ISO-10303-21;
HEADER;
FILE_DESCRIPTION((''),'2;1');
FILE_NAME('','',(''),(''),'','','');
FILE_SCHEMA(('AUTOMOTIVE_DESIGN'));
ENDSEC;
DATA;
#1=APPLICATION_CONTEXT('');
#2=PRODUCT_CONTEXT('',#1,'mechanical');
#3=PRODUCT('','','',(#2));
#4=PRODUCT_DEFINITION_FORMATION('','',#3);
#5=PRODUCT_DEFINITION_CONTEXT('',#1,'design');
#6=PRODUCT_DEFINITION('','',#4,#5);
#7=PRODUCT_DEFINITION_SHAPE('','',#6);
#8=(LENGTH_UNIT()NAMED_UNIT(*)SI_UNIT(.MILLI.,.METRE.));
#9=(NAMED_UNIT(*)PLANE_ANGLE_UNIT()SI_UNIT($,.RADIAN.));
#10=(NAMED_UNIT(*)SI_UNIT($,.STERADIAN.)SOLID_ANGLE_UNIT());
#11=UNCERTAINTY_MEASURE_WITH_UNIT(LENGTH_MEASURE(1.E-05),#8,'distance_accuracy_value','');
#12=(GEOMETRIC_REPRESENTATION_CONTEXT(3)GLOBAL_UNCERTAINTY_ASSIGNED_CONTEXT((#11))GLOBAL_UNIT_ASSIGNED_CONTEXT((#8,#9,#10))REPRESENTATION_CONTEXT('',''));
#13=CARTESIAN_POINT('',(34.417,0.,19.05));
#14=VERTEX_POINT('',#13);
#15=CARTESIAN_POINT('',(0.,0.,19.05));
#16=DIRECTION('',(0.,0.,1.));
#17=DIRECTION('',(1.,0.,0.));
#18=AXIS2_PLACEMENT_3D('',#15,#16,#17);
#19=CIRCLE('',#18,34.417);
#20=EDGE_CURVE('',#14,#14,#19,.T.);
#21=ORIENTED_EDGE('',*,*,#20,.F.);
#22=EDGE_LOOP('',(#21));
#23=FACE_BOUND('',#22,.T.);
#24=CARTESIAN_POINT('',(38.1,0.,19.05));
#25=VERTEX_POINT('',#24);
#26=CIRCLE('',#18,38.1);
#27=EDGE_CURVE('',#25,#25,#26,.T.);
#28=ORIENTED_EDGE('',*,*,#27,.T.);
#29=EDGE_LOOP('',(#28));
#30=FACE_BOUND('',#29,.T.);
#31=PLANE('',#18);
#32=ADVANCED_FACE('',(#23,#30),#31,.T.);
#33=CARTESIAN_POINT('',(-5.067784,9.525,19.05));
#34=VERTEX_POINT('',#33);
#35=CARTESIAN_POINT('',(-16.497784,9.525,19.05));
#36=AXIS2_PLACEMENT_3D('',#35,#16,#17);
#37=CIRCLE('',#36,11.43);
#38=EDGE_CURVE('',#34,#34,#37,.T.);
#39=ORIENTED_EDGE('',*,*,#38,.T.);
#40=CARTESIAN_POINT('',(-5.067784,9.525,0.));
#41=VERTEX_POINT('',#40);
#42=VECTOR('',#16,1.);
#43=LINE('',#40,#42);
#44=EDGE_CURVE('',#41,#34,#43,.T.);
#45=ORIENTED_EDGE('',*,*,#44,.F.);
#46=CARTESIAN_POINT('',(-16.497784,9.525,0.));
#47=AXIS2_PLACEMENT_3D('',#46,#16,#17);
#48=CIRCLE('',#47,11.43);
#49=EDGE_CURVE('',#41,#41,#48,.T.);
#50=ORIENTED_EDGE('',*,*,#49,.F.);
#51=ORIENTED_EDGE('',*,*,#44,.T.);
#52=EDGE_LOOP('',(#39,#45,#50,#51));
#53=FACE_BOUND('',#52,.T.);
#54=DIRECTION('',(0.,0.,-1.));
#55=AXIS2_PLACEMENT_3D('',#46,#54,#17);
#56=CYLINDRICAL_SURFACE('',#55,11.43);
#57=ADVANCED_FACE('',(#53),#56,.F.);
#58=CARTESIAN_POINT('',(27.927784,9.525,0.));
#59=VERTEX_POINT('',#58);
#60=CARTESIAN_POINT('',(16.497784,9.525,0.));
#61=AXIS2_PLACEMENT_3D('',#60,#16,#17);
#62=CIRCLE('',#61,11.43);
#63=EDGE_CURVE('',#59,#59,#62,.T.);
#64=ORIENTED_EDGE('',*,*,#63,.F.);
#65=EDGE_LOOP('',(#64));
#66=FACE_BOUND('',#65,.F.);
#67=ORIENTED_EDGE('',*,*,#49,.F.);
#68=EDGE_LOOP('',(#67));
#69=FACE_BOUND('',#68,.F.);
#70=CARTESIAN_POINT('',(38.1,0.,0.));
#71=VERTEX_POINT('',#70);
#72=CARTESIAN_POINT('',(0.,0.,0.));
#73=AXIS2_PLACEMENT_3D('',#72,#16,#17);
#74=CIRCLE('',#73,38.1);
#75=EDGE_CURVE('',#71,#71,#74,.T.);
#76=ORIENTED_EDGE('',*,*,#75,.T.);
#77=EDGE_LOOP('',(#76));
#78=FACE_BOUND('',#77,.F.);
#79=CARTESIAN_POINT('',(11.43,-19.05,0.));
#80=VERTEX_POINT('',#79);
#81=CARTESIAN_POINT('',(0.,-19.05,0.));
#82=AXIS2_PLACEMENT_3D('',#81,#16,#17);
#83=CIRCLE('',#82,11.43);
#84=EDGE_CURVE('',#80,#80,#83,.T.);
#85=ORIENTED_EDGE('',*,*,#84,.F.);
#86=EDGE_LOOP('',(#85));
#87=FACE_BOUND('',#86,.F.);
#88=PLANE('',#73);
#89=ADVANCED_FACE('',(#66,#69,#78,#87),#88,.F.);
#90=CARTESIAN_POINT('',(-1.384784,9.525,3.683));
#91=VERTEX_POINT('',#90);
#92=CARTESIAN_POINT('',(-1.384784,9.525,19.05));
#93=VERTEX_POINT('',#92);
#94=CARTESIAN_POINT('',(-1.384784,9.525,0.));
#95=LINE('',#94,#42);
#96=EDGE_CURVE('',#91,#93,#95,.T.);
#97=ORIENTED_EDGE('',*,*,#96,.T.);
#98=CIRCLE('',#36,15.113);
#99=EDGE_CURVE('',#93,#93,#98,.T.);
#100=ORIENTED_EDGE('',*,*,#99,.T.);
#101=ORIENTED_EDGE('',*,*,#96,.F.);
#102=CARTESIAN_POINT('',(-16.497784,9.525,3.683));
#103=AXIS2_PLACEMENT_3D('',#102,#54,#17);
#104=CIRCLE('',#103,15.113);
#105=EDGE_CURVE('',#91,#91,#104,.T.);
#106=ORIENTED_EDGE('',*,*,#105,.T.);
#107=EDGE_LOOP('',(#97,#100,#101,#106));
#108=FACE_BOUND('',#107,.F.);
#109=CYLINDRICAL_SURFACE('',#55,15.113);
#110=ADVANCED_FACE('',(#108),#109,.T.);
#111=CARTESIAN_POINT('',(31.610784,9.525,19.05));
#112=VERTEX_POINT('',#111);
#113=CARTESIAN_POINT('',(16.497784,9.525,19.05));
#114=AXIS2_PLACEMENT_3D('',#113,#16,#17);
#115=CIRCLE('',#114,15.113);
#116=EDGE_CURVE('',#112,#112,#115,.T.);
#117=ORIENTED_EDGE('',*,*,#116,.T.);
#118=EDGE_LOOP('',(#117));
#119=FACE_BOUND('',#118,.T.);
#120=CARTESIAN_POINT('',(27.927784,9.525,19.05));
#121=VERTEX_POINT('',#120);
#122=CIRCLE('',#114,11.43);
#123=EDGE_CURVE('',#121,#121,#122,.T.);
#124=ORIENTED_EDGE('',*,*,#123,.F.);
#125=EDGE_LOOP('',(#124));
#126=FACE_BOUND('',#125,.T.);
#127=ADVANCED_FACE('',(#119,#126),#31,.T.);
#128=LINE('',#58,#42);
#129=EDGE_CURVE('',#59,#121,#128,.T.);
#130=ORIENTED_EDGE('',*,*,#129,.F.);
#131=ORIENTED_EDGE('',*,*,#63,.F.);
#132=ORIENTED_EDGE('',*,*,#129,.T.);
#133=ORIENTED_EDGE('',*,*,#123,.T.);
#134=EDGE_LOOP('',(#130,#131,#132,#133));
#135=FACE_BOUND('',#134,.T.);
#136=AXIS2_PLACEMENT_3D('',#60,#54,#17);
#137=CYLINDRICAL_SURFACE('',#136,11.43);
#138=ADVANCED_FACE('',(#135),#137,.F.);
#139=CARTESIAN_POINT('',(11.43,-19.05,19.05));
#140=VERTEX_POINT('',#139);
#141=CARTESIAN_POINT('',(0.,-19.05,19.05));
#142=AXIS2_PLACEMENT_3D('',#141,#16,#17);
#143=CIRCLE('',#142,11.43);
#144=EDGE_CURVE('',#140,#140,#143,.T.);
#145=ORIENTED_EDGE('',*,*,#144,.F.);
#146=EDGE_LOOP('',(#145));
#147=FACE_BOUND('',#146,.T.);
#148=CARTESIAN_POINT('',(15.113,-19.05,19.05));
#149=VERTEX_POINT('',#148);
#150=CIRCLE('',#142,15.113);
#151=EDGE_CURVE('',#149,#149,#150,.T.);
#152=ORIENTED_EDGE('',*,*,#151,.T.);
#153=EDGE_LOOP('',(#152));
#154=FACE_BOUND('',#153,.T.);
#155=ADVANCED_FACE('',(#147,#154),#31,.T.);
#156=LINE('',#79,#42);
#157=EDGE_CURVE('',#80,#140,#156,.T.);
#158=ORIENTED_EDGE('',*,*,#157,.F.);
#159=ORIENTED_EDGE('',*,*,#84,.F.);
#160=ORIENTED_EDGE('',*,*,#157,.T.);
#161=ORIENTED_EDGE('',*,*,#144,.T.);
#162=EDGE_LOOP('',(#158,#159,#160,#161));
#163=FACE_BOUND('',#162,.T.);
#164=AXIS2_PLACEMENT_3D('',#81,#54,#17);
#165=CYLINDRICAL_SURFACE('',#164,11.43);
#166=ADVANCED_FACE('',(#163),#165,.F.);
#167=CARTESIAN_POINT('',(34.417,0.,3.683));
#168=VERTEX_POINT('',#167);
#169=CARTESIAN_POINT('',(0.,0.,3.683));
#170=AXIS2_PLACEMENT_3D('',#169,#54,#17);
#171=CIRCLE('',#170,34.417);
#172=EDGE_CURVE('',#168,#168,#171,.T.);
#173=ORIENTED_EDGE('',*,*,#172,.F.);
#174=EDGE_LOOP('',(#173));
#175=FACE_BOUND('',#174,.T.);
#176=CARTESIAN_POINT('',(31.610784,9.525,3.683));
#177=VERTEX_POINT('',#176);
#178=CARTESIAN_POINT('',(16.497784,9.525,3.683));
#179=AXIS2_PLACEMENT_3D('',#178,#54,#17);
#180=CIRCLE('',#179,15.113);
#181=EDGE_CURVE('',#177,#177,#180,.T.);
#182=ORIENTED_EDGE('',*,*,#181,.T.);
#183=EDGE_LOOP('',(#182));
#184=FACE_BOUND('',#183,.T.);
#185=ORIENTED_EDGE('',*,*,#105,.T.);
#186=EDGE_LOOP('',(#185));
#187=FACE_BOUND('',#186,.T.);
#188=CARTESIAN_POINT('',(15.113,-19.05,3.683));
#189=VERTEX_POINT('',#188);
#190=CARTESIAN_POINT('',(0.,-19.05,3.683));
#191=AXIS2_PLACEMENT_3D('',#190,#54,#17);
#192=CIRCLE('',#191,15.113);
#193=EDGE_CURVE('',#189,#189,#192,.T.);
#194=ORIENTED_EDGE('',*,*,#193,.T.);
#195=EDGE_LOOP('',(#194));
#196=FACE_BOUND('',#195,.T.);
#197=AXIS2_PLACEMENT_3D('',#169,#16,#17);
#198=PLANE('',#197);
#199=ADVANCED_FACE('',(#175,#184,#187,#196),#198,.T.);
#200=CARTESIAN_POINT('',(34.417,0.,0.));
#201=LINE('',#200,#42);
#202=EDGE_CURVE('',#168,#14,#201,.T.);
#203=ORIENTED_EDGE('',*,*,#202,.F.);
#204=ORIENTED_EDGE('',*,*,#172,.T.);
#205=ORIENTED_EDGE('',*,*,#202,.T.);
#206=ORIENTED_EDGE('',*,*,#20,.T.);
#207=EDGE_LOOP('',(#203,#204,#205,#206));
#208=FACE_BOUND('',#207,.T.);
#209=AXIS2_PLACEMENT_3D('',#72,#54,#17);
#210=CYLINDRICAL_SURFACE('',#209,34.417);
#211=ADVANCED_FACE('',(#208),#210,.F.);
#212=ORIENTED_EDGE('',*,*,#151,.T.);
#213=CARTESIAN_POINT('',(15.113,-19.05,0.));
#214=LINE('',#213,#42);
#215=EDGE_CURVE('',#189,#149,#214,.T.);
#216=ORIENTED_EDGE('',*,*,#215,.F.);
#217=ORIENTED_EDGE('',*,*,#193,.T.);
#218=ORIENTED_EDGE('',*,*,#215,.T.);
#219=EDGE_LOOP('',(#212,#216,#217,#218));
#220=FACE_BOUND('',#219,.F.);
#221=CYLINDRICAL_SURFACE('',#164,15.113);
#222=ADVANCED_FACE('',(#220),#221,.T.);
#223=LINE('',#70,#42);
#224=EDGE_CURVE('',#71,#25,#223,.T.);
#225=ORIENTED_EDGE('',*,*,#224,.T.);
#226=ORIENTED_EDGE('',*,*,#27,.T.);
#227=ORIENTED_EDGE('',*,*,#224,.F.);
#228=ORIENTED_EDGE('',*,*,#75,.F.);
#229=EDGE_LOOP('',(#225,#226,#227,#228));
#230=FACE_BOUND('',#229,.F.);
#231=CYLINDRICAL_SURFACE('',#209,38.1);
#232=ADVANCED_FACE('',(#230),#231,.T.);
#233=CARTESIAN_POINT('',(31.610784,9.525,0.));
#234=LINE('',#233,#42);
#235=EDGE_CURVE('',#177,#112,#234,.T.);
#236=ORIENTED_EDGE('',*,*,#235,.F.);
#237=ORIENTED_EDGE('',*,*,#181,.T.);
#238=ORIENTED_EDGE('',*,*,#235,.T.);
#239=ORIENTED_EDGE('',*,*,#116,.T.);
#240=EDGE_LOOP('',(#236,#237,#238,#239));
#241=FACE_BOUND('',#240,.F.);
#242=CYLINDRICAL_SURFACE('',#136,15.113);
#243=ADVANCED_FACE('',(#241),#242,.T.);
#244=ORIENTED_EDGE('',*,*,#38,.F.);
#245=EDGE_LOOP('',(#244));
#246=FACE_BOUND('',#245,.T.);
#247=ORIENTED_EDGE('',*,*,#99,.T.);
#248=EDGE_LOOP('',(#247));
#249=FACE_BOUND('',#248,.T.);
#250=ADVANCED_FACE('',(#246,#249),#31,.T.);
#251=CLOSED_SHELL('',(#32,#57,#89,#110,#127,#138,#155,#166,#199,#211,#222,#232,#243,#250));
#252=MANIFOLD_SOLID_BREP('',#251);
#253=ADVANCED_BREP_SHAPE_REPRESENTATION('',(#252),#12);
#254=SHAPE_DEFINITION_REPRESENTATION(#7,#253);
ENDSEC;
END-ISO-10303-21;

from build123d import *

# Parameters (mm, degrees)
F0_R     = 38.1
F0_R_2   = 11.43
F1_DEPTH = 19.05
F2_T     = -3.683


with BuildPart() as f1:
    # F0 (on Top) → F1 (new body)
    with BuildSketch(Plane.XY):
        Circle(F0_R)
        with Locations((0, -19.05)):
            Circle(F0_R_2, mode=Mode.SUBTRACT)
        with Locations((-16.497784, 9.525)):
            Circle(F0_R_2, mode=Mode.SUBTRACT)
        with Locations((16.497784, 9.525)):
            Circle(F0_R_2, mode=Mode.SUBTRACT)
    extrude(amount=F1_DEPTH)

    # F2
    f2_openings = [f1.faces().sort_by_distance(p)[0] for p in [
        (0, 0, 19.05),
    ]]
    offset(amount=F2_T, openings=f2_openings)


solid = f1.part
